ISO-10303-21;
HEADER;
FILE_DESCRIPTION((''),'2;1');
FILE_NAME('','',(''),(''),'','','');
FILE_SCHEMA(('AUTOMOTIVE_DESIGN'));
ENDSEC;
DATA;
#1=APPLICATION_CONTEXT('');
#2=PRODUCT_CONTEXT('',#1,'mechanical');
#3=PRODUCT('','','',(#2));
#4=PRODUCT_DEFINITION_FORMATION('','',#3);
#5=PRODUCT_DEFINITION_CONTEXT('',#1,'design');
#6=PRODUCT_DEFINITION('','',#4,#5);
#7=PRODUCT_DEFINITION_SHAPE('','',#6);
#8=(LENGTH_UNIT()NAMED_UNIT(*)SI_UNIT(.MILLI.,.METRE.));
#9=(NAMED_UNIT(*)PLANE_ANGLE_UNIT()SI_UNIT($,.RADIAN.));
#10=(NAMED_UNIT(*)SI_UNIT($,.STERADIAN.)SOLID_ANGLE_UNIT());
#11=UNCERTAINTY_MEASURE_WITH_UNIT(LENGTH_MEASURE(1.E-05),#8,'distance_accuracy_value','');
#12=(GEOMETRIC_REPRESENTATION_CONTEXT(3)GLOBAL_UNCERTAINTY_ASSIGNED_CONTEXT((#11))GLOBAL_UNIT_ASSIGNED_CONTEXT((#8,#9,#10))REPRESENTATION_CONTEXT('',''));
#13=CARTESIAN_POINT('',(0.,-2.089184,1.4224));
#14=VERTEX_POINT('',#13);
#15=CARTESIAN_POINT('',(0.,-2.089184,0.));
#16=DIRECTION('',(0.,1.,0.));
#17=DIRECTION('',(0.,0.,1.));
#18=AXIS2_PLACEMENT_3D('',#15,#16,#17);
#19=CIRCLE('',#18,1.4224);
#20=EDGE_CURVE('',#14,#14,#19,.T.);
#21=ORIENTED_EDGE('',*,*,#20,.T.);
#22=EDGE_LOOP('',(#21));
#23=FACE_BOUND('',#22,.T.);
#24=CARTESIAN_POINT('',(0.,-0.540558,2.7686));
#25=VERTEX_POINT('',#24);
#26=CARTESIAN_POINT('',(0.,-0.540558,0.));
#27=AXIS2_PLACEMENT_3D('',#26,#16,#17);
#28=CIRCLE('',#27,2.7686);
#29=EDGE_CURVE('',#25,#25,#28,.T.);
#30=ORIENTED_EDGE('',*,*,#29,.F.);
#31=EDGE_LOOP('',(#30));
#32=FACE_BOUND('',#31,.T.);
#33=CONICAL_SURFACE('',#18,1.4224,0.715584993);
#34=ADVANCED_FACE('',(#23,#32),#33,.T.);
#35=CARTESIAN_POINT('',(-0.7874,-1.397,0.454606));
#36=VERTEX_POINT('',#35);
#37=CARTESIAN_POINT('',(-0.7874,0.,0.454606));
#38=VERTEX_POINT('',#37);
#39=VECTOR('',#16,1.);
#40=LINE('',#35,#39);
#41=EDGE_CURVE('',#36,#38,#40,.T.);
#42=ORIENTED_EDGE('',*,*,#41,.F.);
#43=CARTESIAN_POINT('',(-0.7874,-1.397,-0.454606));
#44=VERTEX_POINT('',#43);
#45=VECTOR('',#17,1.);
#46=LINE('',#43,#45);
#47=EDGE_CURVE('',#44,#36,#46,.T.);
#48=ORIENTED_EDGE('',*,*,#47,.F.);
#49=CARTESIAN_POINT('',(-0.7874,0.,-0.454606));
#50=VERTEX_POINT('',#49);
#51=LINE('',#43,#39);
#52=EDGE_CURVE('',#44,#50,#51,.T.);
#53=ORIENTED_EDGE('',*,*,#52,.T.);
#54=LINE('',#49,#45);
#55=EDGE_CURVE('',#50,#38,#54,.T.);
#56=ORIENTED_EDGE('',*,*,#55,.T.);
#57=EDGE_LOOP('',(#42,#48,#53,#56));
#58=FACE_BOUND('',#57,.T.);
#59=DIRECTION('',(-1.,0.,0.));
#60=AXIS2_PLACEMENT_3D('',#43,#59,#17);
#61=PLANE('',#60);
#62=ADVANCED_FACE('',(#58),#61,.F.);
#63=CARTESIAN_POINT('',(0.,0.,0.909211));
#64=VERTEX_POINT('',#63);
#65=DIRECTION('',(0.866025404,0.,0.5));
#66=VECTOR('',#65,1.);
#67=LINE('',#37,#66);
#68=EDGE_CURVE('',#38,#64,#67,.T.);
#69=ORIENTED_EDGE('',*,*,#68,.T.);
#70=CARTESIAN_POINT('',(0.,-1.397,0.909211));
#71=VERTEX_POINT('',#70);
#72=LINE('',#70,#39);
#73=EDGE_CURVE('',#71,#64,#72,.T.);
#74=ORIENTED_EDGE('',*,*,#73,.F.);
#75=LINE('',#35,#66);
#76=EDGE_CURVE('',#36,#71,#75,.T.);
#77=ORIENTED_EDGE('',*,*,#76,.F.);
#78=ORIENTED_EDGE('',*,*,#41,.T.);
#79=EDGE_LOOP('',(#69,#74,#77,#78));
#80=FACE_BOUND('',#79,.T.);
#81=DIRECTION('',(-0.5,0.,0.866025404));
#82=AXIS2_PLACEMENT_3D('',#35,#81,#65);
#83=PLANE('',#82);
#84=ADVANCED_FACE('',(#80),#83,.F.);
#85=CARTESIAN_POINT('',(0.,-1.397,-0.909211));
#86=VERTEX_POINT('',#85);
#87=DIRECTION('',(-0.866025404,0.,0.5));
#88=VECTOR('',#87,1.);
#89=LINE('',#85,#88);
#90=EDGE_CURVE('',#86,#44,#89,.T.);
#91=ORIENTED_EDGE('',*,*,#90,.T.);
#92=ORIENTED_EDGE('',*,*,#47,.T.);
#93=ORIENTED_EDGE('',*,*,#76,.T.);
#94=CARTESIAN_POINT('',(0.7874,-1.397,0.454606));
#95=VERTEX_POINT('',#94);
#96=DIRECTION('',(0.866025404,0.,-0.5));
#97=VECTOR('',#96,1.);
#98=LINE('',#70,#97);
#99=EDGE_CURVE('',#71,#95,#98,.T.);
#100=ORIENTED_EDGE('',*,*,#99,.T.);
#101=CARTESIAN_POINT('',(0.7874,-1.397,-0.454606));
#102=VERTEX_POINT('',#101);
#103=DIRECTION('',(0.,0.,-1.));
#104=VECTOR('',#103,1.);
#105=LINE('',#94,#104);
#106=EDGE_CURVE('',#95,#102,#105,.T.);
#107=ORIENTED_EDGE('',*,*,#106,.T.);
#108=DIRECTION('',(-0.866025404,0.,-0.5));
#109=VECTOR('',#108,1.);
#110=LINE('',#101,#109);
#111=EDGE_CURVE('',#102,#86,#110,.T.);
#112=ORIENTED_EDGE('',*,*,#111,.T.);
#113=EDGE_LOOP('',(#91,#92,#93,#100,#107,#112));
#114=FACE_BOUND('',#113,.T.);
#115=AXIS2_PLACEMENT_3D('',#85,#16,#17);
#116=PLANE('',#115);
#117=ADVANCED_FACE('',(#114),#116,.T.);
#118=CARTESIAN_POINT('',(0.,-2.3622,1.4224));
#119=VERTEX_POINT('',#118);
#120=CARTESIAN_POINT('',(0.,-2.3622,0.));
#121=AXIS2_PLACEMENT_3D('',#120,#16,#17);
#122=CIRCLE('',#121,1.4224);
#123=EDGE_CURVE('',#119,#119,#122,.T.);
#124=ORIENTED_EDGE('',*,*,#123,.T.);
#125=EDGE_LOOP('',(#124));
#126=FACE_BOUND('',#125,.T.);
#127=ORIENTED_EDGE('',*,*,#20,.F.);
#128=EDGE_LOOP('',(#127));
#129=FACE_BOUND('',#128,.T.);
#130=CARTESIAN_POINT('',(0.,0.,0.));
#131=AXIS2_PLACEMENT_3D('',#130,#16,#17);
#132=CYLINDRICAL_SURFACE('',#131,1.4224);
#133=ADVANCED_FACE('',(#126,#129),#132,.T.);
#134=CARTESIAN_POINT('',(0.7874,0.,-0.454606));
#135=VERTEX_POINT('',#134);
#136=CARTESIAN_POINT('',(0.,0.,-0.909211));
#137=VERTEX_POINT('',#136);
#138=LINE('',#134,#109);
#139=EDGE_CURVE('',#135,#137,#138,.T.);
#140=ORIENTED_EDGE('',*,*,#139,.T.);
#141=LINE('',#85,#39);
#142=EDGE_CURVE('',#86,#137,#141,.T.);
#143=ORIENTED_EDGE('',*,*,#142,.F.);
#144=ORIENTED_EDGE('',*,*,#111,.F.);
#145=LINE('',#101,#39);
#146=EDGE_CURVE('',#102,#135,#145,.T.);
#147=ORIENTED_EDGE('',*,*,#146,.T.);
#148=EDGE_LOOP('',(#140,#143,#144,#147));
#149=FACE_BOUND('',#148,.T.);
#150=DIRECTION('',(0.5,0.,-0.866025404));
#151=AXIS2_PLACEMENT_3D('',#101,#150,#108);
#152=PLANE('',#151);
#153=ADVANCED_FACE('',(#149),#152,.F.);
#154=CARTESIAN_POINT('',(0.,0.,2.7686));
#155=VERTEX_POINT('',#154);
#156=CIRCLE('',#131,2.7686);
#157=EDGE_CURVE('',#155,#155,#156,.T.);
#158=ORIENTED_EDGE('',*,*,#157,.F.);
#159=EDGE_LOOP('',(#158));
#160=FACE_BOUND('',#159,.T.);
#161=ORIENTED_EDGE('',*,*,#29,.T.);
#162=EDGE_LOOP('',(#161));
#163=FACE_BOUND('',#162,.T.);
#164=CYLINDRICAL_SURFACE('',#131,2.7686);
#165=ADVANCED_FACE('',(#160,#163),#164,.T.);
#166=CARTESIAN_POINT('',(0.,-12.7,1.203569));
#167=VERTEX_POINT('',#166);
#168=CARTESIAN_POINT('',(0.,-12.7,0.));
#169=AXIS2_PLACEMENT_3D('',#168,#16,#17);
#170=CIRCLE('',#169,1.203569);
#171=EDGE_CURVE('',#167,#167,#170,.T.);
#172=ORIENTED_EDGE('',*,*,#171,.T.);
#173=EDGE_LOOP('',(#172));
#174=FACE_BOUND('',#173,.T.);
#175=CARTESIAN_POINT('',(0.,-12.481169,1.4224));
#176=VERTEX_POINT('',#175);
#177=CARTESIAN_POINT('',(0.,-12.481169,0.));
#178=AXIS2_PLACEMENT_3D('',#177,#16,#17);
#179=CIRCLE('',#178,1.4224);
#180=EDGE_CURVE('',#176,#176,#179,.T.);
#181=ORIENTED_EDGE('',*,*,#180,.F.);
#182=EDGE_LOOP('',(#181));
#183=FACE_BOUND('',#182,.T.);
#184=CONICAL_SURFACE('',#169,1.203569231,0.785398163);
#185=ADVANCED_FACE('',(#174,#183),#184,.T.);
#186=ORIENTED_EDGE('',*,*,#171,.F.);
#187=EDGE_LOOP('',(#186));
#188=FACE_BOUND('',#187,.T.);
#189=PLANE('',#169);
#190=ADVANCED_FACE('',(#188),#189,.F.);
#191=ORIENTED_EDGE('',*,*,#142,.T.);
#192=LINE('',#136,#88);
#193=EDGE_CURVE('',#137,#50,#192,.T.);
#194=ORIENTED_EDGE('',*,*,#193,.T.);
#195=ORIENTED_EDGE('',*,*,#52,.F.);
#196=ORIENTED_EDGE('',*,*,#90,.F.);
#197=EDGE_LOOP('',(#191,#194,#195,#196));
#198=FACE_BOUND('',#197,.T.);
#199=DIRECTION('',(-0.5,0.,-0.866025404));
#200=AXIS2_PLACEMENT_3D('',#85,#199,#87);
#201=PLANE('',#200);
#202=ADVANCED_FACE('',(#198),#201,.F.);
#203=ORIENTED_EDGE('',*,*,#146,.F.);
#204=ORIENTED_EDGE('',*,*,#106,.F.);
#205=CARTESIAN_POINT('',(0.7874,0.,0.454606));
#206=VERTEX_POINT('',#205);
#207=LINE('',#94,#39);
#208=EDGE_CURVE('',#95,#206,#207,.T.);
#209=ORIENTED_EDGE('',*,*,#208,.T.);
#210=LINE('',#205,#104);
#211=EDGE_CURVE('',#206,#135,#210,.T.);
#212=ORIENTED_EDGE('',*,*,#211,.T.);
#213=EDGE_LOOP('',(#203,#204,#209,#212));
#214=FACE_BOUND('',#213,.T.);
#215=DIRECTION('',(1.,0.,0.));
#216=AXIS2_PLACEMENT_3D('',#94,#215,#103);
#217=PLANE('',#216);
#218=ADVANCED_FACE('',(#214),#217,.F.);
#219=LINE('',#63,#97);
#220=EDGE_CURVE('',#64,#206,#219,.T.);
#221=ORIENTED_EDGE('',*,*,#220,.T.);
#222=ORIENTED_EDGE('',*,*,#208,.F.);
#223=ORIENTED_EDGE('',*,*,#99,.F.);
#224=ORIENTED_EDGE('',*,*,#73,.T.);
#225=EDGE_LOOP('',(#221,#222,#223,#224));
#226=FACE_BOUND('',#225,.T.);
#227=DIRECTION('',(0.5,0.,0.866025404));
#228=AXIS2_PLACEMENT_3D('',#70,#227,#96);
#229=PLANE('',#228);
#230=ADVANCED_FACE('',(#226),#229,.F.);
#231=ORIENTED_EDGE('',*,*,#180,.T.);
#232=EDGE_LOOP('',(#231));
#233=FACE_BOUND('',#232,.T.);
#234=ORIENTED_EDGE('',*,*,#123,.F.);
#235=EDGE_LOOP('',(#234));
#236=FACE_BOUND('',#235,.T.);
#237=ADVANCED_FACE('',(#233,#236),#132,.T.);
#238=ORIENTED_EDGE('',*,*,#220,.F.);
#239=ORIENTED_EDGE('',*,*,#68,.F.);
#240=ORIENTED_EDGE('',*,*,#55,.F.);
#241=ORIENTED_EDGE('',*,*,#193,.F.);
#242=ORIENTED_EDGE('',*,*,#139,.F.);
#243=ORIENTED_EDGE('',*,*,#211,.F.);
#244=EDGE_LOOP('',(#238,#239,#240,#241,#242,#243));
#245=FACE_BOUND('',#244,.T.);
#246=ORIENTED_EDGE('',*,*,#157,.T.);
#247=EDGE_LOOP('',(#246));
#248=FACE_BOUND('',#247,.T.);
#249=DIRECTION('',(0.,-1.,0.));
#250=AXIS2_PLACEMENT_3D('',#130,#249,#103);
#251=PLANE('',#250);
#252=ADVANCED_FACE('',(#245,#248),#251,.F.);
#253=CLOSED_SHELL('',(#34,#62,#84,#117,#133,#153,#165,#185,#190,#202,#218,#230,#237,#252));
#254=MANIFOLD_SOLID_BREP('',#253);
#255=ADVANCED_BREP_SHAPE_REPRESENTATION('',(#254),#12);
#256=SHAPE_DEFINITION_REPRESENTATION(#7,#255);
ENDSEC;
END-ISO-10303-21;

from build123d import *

# Parameters (mm, degrees)
EXTRUDE1_DEPTH = 1.397


with BuildPart() as part:
    # Sketch1 → Revolve1 (revolve)
    with BuildSketch(Plane.XY, mode=Mode.PRIVATE) as revolve1_sk:
        Polygon((0, 0), (0, -12.7), (1.203569231, -12.7), (1.4224, -12.481169231), (1.4224, -2.089184064), (2.7686, -0.540558115), (2.7686, 0), align=None)
    revolve(revolve1_sk.sketch.rotate(Axis((0, 0, 0), (0, -1, 0)), 90), axis=Axis((0, 0, 0), (0, -1, 0)))

    # Sketch2 → Extrude1 (cut)
    with BuildSketch(Plane(origin=(0, 0, 0), x_dir=(1, 0, 0), z_dir=(0, 1, 0))):
        Polygon((0, 0.909211204), (-0.7874, 0.454605602), (-0.7874, -0.454605602), (0, -0.909211204), (0.7874, -0.454605602), (0.7874, 0.454605602), align=None)
    extrude(amount=-EXTRUDE1_DEPTH, mode=Mode.SUBTRACT)


solid = part.part
